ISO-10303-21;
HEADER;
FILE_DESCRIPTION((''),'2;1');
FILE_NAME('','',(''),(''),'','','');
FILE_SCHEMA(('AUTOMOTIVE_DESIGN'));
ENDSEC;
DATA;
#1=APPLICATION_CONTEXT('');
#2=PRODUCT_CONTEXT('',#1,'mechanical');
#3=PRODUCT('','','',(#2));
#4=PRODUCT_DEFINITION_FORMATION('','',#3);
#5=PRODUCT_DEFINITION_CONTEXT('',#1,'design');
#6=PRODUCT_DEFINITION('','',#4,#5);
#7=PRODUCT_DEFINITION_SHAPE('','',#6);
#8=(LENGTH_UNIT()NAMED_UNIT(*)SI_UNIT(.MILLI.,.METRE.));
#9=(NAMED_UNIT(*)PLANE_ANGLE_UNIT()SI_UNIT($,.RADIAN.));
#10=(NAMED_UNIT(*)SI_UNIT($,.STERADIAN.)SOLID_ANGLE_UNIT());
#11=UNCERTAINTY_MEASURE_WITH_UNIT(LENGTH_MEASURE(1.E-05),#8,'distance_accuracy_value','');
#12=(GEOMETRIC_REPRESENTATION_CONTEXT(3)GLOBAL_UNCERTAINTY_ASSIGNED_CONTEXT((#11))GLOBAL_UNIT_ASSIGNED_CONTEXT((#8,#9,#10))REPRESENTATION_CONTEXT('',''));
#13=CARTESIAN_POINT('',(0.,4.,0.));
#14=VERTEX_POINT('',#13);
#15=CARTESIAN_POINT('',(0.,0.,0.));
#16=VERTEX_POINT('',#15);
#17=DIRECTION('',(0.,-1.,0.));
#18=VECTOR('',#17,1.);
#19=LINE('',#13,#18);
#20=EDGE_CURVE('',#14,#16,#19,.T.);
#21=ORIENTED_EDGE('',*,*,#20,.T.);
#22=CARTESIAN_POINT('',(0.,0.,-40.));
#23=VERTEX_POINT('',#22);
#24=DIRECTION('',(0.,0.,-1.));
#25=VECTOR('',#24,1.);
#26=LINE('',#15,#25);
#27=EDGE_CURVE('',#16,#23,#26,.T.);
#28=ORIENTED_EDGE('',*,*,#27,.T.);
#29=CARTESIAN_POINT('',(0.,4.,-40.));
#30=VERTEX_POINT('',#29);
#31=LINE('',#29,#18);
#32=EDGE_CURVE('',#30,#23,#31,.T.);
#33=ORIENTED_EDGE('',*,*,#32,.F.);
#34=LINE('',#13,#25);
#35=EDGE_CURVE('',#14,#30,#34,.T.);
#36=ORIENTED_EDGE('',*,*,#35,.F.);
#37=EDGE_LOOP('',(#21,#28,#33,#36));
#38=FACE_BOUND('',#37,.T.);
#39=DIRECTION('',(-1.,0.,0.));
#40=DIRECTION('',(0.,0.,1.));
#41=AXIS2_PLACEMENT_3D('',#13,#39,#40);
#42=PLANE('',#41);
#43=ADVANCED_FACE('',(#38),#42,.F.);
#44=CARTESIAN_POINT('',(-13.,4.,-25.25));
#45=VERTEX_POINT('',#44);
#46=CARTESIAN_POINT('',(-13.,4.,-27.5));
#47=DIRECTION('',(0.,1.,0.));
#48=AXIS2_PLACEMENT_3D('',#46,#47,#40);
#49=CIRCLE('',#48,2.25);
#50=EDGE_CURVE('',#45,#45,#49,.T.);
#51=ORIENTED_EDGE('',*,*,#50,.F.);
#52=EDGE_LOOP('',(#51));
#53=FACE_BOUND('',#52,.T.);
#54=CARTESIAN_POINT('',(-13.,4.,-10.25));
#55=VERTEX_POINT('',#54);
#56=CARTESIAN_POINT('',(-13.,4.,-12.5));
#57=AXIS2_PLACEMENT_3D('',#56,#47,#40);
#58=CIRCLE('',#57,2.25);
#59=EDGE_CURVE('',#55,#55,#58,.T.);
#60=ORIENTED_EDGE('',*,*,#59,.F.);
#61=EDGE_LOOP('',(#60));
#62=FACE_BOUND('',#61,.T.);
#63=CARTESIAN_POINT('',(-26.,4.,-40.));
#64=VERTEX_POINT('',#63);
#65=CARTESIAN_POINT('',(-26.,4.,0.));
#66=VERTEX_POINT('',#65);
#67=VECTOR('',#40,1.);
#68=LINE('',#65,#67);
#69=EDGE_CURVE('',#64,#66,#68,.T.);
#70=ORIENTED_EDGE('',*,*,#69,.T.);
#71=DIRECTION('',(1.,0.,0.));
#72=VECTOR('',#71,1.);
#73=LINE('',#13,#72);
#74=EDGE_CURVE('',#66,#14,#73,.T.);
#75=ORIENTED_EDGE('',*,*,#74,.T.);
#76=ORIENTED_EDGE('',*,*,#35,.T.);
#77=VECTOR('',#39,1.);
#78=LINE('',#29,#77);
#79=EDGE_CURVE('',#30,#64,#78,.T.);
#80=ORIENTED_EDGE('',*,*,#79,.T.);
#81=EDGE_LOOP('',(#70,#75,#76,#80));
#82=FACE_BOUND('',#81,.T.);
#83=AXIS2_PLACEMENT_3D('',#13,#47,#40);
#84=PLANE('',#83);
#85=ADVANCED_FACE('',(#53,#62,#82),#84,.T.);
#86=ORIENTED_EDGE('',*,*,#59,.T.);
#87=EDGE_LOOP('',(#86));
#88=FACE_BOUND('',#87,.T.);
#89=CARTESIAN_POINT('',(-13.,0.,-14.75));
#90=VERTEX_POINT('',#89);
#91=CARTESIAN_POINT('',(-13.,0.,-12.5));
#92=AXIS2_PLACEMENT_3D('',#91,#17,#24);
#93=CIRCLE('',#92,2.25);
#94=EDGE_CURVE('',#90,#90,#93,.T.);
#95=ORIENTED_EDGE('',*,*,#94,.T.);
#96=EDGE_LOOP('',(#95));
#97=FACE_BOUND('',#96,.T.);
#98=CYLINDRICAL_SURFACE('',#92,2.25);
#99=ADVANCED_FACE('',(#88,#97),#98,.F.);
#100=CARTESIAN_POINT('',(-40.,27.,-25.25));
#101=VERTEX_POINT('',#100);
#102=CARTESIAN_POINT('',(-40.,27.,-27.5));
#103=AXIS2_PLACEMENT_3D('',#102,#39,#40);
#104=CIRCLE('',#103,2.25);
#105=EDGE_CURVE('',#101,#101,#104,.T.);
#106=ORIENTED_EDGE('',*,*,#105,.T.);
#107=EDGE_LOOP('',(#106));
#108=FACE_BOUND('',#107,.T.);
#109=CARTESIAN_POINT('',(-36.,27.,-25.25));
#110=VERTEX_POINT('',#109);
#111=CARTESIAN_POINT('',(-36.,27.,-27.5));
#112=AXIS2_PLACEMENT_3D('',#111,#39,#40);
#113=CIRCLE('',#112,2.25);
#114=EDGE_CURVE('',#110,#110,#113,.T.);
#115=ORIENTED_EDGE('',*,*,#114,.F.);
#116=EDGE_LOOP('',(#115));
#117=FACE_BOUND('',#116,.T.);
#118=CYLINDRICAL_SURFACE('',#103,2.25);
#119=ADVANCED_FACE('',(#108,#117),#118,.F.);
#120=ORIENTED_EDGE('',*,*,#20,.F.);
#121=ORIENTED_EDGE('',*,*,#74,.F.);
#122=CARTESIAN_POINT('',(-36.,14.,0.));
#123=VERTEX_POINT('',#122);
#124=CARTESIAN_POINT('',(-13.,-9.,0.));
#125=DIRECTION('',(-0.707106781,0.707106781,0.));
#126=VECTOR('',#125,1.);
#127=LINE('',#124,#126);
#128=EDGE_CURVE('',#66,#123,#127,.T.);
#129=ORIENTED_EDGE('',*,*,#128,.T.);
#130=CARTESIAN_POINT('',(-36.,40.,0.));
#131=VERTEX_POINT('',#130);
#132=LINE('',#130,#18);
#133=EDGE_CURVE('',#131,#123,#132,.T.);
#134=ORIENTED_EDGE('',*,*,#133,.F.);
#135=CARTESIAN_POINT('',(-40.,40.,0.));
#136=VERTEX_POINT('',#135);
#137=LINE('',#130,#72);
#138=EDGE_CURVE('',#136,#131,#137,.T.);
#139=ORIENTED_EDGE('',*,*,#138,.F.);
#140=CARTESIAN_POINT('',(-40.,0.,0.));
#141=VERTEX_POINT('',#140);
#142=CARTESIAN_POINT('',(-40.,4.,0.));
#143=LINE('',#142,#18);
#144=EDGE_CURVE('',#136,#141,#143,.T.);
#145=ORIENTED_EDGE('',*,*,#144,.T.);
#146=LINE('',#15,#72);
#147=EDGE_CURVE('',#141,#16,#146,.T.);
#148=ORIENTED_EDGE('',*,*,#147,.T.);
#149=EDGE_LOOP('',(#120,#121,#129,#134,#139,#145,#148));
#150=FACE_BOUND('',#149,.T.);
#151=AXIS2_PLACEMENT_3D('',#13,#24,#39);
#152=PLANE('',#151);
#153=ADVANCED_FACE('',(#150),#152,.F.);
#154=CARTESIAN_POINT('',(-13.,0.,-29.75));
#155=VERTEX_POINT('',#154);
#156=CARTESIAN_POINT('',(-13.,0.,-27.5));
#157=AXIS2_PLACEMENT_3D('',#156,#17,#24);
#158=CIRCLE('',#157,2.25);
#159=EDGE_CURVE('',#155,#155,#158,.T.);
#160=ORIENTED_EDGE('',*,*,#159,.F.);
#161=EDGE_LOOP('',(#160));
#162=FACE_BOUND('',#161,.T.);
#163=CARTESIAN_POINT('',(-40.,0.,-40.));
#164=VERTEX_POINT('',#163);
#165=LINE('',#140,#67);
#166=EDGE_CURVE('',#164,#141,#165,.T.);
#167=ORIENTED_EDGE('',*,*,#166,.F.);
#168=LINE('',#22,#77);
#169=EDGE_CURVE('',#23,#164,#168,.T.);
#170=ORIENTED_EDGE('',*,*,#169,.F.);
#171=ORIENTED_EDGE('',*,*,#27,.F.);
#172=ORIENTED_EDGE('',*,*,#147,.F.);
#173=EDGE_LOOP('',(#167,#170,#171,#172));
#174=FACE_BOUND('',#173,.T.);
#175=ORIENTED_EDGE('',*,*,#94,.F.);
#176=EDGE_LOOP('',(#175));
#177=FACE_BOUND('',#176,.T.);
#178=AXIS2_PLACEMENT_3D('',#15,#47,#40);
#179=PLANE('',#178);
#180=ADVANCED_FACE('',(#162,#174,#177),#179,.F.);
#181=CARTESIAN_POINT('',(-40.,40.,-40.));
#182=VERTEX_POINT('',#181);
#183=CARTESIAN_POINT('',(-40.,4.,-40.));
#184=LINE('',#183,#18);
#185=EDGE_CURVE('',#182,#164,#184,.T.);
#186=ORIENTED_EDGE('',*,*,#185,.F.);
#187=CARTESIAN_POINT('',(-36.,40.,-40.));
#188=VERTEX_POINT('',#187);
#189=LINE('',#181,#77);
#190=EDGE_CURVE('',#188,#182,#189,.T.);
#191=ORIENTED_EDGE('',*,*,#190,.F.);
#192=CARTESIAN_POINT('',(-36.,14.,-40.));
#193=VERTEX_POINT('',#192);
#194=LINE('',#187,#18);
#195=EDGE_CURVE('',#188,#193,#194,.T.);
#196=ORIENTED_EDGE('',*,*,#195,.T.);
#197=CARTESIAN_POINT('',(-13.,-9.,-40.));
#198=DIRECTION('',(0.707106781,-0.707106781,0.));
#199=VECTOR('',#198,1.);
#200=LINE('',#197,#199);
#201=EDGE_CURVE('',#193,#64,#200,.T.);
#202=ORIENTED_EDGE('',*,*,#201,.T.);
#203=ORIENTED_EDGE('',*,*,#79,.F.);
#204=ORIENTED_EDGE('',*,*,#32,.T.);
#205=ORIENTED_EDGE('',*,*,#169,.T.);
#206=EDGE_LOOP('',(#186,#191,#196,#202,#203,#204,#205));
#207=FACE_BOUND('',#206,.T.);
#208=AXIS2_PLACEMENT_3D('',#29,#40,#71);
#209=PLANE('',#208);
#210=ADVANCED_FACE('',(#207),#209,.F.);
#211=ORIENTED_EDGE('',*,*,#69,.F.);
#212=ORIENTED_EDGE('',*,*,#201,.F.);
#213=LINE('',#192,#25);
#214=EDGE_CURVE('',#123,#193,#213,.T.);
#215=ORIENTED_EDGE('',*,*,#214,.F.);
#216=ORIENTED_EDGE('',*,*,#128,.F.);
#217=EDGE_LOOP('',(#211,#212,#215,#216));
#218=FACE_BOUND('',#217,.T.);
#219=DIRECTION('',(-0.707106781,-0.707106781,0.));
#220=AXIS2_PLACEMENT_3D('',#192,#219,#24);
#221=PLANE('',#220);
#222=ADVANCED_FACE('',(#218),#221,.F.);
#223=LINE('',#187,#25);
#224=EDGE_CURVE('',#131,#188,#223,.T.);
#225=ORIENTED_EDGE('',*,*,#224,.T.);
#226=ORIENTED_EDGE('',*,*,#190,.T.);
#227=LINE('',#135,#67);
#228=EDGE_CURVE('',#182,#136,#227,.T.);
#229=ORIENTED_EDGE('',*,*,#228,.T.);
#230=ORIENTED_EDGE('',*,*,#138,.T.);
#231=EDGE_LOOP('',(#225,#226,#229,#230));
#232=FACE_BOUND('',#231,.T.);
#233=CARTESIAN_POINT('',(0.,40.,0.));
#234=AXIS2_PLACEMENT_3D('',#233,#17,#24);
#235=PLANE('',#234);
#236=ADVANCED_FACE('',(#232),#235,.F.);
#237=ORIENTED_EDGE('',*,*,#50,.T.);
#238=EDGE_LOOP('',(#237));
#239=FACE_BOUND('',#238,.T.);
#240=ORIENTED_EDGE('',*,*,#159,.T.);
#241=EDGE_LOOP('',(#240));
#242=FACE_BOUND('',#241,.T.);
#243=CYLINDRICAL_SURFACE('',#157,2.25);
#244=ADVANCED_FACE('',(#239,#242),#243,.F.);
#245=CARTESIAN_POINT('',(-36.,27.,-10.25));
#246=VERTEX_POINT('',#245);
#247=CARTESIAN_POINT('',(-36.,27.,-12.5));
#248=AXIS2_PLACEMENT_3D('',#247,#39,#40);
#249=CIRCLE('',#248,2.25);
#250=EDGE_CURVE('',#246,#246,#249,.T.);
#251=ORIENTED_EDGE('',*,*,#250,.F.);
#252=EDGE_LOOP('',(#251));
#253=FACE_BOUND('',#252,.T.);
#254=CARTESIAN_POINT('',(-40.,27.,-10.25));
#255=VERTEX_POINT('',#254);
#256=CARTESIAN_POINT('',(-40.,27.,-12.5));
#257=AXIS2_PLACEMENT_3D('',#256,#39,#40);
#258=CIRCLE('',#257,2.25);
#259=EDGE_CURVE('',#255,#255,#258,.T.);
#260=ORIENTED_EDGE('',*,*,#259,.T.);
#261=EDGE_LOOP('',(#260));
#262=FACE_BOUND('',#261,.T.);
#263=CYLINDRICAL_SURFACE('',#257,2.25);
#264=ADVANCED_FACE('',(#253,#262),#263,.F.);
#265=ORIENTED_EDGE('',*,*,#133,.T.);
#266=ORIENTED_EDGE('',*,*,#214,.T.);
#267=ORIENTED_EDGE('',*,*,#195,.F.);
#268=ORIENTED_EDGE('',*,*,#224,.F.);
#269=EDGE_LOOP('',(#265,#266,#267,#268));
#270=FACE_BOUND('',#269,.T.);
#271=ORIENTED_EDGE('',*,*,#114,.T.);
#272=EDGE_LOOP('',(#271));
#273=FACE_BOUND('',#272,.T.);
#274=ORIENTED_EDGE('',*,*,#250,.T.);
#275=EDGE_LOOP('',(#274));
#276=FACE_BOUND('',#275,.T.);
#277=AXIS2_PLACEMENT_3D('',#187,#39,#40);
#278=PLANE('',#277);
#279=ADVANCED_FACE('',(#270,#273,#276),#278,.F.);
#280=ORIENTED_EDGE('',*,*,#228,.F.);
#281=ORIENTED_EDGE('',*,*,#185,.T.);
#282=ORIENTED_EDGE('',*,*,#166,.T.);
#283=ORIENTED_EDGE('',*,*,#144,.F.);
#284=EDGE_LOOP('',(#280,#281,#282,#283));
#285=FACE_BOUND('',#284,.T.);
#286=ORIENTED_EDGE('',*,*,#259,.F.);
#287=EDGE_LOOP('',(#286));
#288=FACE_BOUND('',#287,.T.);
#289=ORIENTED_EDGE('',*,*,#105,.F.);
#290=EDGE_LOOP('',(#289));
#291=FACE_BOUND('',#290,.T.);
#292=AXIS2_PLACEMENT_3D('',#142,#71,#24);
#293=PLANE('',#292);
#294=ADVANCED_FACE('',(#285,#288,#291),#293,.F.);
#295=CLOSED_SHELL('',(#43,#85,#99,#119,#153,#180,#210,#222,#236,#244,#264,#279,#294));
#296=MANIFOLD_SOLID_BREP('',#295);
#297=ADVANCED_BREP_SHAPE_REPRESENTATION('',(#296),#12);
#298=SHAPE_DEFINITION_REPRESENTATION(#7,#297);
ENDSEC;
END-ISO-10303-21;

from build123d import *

# Parameters (mm, degrees)
SCHIZZO1_W                   = 40
SCHIZZO1_H                   = 40
ESTRUSIONE_ESTRUSIONE1_DEPTH = 4
SCHIZZO2_W                   = 4
SCHIZZO2_H                   = 40
ESTRUSIONE_ESTRUSIONE2_DEPTH = 36
SMUSSO1_SIZE                 = 10
FORO_PER_VITE_M4_1_D         = 4.5
FORO_PER_VITE_M4_1_DEPTH     = 9
FORO_PER_VITE_M4_1_TIP       = 1.351936393
FORO_PER_VITE_M4_3_D         = 4.5
FORO_PER_VITE_M4_3_DEPTH     = 9
FORO_PER_VITE_M4_3_TIP       = 1.351936393


with BuildPart() as part:
    # Schizzo1 → Estrusione-Estrusione1 (new body)
    with BuildSketch(Plane(origin=(0, 0, 0), x_dir=(1, 0, 0), z_dir=(0, 1, 0))):
        with Locations((-20, 20)):
            Rectangle(SCHIZZO1_W, SCHIZZO1_H)
    extrude(amount=ESTRUSIONE_ESTRUSIONE1_DEPTH)

    # Schizzo2 → Estrusione-Estrusione2 (add)
    with BuildSketch(Plane(origin=(0, 4, 0), x_dir=(1, 0, 0), z_dir=(0, 1, 0))):
        with Locations((-38, 20)):
            Rectangle(SCHIZZO2_W, SCHIZZO2_H)
    extrude(amount=ESTRUSIONE_ESTRUSIONE2_DEPTH)

    # Smusso1
    smusso1_edges = [part.edges().sort_by_distance(p)[0] for p in [
        (-36, 4, -20),
    ]]
    chamfer(smusso1_edges, length=SMUSSO1_SIZE)

    # Foro per Vite M4-1
    with Locations(Plane(origin=(0, 0, 0), x_dir=(-1, 0, 0), z_dir=(0, -1, 0))):
        with Locations((13, 27.5), (13, 12.5)):
            Hole(FORO_PER_VITE_M4_1_D / 2, depth=FORO_PER_VITE_M4_1_DEPTH)
            with Locations((0, 0, -(FORO_PER_VITE_M4_1_DEPTH + FORO_PER_VITE_M4_1_TIP / 2))):  # 118° drill point
                Cone(0, FORO_PER_VITE_M4_1_D / 2, FORO_PER_VITE_M4_1_TIP, mode=Mode.SUBTRACT)

    # Foro per Vite M4-3
    with Locations(Plane.ZY.offset(40)):
        with Locations((-27.5, 27), (-12.5, 27)):
            Hole(FORO_PER_VITE_M4_3_D / 2, depth=FORO_PER_VITE_M4_3_DEPTH)
            with Locations((0, 0, -(FORO_PER_VITE_M4_3_DEPTH + FORO_PER_VITE_M4_3_TIP / 2))):  # 118° drill point
                Cone(0, FORO_PER_VITE_M4_3_D / 2, FORO_PER_VITE_M4_3_TIP, mode=Mode.SUBTRACT)


solid = part.part
